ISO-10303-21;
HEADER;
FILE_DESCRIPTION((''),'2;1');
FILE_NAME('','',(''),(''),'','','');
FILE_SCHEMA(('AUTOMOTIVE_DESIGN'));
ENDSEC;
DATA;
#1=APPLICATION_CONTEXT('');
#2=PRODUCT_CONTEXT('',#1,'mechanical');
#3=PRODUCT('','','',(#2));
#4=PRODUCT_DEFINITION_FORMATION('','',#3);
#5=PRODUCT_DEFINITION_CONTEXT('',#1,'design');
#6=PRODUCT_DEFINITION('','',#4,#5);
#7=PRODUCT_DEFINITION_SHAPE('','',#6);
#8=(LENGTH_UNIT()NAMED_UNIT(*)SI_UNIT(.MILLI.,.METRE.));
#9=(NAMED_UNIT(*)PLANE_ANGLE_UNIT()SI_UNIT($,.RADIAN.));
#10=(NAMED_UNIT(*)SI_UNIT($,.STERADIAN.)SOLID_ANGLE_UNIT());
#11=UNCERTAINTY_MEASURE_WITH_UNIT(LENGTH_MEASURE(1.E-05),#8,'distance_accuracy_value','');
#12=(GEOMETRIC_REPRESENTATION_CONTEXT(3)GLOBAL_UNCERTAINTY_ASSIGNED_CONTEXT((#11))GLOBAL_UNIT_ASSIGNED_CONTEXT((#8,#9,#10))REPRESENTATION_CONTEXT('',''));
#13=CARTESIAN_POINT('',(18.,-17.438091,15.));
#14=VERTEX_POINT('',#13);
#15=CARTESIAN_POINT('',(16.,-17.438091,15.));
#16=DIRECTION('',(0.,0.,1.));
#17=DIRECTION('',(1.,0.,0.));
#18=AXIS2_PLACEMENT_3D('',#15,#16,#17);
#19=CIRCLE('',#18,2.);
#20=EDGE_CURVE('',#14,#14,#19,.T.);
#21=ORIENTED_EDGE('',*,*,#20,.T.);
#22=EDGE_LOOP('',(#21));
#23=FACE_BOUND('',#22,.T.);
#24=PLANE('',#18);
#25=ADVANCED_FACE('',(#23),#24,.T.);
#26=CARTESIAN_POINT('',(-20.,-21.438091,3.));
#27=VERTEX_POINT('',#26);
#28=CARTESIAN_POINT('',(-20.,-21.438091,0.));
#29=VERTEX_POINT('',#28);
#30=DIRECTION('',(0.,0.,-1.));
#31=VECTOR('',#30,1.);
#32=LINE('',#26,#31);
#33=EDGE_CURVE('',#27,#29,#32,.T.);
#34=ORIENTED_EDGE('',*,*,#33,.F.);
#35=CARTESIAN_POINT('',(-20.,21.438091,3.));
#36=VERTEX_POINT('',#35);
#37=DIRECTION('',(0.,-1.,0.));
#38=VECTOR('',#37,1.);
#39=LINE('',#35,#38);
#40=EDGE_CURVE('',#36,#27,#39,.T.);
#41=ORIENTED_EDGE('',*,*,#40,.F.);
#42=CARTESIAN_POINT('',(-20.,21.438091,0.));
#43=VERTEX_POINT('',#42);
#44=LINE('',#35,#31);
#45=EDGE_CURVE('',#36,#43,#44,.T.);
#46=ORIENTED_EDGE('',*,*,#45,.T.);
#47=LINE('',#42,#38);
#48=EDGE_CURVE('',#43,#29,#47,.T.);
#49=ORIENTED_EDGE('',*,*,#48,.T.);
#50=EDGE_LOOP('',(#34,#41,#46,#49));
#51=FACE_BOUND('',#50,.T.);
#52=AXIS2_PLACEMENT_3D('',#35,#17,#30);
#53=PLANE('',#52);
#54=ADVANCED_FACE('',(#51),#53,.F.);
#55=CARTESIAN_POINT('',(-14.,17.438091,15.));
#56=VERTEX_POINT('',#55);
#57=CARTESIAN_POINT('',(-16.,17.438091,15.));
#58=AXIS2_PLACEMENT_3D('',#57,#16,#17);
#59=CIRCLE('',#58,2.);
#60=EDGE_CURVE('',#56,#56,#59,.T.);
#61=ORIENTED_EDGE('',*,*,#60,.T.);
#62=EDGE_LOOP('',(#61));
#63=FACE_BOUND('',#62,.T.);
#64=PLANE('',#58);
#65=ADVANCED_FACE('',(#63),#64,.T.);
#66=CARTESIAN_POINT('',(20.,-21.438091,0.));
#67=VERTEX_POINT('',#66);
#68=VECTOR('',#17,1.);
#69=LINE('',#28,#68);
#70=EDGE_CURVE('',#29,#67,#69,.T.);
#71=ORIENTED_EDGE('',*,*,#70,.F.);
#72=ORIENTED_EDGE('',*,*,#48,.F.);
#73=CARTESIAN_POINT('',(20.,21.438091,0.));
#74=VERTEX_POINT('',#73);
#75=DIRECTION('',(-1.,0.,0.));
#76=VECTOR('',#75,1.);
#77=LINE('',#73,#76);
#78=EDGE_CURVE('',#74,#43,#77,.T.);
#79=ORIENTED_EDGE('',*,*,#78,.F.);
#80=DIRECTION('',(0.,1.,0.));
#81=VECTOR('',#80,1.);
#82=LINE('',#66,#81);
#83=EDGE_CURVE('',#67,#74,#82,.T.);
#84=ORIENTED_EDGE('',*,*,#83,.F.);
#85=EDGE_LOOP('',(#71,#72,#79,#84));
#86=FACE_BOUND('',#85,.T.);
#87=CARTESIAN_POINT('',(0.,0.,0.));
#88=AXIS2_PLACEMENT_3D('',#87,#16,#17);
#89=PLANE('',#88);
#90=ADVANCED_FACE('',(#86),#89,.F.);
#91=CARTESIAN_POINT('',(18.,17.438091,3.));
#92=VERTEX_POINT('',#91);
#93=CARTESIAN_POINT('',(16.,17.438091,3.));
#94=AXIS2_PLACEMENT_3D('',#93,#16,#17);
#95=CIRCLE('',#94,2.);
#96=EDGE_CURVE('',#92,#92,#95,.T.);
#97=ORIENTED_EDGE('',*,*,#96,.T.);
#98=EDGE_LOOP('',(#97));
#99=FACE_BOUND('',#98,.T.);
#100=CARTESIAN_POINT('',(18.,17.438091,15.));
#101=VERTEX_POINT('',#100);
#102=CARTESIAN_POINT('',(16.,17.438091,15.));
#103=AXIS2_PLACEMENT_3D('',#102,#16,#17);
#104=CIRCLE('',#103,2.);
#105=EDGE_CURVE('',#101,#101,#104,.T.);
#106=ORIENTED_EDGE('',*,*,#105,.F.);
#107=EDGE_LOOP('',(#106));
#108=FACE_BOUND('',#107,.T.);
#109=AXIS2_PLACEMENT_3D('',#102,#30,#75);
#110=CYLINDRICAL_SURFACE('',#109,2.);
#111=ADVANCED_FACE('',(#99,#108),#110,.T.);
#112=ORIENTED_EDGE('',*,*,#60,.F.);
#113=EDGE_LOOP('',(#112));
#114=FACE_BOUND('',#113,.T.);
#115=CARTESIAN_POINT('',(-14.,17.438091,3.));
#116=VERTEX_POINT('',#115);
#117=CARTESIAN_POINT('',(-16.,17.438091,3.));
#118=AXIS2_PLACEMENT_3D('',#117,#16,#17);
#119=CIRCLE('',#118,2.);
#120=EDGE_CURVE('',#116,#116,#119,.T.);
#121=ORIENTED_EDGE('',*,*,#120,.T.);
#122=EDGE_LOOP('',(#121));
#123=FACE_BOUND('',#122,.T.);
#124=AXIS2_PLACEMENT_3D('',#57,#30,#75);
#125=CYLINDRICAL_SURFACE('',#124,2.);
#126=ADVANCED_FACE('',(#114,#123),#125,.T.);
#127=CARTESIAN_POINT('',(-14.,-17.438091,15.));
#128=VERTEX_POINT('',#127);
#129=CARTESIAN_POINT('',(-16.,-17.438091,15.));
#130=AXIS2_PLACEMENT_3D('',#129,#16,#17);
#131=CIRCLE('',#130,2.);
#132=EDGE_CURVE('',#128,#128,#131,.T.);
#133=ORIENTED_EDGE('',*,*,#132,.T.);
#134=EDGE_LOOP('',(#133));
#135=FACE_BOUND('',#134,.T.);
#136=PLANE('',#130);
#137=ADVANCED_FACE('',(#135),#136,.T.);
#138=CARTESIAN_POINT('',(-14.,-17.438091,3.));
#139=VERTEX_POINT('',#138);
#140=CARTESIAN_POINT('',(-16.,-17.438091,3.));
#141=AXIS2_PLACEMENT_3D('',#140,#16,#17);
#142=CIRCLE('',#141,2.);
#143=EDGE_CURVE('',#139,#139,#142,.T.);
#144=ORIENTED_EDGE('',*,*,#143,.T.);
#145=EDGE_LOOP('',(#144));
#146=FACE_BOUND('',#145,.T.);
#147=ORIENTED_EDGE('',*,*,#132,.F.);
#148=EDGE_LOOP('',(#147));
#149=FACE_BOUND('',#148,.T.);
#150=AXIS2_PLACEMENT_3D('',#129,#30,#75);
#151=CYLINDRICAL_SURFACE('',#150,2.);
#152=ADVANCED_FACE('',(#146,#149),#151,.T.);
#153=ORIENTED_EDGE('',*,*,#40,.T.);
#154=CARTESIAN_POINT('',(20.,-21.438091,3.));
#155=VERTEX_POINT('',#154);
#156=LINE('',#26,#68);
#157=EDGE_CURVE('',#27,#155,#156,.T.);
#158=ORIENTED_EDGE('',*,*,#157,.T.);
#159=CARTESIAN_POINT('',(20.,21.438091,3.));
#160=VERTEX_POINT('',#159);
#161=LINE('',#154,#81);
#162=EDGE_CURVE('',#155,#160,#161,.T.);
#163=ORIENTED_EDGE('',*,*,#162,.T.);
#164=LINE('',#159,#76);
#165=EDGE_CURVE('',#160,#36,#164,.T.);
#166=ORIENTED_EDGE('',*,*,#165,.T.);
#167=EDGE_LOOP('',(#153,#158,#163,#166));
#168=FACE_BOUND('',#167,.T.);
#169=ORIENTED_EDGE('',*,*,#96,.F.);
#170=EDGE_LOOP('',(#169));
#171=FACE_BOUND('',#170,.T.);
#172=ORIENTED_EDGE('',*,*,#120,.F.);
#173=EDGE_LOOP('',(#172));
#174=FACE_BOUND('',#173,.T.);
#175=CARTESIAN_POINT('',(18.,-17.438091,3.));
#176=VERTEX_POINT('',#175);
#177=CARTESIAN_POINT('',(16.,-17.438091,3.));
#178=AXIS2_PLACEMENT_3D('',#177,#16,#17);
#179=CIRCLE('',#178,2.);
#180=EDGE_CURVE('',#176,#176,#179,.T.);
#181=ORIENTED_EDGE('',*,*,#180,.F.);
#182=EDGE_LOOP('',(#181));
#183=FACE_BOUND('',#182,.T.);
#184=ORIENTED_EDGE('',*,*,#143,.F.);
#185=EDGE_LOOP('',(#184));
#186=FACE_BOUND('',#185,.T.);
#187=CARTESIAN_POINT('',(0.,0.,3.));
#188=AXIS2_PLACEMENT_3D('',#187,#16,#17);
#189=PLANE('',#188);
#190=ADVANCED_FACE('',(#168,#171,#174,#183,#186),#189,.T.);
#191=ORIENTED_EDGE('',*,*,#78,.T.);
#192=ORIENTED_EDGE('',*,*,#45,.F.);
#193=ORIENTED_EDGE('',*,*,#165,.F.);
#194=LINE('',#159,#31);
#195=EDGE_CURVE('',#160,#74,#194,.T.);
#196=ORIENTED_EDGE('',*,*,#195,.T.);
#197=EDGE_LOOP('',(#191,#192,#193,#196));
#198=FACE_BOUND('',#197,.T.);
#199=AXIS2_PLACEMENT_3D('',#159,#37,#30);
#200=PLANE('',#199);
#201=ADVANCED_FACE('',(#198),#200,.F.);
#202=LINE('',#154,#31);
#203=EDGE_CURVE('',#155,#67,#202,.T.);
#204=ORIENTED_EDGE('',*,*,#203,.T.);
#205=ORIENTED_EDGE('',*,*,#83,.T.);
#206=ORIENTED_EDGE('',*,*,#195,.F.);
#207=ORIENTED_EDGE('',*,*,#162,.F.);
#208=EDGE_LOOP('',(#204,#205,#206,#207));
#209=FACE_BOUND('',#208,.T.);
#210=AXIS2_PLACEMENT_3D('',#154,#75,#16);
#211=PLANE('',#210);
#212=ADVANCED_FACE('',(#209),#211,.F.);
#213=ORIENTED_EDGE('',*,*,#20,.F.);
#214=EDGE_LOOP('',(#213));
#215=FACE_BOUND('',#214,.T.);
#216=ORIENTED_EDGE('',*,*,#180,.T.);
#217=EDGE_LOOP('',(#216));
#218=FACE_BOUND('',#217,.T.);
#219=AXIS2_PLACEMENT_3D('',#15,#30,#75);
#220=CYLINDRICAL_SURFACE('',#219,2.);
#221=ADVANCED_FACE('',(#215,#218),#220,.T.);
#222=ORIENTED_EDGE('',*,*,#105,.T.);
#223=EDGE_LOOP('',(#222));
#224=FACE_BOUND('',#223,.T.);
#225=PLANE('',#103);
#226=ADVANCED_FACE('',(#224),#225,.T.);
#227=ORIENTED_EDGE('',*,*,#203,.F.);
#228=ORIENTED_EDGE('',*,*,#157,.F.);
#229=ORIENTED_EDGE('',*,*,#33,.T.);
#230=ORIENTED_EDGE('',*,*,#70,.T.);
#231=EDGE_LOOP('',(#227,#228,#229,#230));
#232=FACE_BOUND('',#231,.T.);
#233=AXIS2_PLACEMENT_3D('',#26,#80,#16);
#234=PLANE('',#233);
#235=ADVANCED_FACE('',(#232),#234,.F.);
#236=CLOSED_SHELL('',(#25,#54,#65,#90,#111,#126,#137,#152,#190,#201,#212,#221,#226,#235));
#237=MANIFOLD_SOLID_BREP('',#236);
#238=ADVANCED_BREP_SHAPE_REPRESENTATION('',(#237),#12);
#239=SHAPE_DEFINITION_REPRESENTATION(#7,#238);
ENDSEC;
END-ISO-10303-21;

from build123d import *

# Parameters (mm, degrees)
SKETCH_1_W         = 40
SKETCH_1_H         = 42.876181986
FORMER_BASE_DEPTH  = 3
FORMER_POSTS_START = 3
SKETCH_2_R         = 2
FORMER_POSTS_DEPTH = 12


with BuildPart() as part:
    # Эскиз1 → Former_base (new body)
    with BuildSketch(Plane.XY):
        Rectangle(SKETCH_1_W, SKETCH_1_H)
    extrude(amount=FORMER_BASE_DEPTH)

    # Эскиз2 → Former_posts (add)
    with BuildSketch(Plane.XY.offset(FORMER_POSTS_START)):
        with Locations((-16, -17.438090993)):
            Circle(SKETCH_2_R)
        with Locations((-16, 17.438090993)):
            Circle(SKETCH_2_R)
        with Locations((16, -17.438090993)):
            Circle(SKETCH_2_R)
        with Locations((16, 17.438090993)):
            Circle(SKETCH_2_R)
    extrude(amount=FORMER_POSTS_DEPTH)


solid = part.part
